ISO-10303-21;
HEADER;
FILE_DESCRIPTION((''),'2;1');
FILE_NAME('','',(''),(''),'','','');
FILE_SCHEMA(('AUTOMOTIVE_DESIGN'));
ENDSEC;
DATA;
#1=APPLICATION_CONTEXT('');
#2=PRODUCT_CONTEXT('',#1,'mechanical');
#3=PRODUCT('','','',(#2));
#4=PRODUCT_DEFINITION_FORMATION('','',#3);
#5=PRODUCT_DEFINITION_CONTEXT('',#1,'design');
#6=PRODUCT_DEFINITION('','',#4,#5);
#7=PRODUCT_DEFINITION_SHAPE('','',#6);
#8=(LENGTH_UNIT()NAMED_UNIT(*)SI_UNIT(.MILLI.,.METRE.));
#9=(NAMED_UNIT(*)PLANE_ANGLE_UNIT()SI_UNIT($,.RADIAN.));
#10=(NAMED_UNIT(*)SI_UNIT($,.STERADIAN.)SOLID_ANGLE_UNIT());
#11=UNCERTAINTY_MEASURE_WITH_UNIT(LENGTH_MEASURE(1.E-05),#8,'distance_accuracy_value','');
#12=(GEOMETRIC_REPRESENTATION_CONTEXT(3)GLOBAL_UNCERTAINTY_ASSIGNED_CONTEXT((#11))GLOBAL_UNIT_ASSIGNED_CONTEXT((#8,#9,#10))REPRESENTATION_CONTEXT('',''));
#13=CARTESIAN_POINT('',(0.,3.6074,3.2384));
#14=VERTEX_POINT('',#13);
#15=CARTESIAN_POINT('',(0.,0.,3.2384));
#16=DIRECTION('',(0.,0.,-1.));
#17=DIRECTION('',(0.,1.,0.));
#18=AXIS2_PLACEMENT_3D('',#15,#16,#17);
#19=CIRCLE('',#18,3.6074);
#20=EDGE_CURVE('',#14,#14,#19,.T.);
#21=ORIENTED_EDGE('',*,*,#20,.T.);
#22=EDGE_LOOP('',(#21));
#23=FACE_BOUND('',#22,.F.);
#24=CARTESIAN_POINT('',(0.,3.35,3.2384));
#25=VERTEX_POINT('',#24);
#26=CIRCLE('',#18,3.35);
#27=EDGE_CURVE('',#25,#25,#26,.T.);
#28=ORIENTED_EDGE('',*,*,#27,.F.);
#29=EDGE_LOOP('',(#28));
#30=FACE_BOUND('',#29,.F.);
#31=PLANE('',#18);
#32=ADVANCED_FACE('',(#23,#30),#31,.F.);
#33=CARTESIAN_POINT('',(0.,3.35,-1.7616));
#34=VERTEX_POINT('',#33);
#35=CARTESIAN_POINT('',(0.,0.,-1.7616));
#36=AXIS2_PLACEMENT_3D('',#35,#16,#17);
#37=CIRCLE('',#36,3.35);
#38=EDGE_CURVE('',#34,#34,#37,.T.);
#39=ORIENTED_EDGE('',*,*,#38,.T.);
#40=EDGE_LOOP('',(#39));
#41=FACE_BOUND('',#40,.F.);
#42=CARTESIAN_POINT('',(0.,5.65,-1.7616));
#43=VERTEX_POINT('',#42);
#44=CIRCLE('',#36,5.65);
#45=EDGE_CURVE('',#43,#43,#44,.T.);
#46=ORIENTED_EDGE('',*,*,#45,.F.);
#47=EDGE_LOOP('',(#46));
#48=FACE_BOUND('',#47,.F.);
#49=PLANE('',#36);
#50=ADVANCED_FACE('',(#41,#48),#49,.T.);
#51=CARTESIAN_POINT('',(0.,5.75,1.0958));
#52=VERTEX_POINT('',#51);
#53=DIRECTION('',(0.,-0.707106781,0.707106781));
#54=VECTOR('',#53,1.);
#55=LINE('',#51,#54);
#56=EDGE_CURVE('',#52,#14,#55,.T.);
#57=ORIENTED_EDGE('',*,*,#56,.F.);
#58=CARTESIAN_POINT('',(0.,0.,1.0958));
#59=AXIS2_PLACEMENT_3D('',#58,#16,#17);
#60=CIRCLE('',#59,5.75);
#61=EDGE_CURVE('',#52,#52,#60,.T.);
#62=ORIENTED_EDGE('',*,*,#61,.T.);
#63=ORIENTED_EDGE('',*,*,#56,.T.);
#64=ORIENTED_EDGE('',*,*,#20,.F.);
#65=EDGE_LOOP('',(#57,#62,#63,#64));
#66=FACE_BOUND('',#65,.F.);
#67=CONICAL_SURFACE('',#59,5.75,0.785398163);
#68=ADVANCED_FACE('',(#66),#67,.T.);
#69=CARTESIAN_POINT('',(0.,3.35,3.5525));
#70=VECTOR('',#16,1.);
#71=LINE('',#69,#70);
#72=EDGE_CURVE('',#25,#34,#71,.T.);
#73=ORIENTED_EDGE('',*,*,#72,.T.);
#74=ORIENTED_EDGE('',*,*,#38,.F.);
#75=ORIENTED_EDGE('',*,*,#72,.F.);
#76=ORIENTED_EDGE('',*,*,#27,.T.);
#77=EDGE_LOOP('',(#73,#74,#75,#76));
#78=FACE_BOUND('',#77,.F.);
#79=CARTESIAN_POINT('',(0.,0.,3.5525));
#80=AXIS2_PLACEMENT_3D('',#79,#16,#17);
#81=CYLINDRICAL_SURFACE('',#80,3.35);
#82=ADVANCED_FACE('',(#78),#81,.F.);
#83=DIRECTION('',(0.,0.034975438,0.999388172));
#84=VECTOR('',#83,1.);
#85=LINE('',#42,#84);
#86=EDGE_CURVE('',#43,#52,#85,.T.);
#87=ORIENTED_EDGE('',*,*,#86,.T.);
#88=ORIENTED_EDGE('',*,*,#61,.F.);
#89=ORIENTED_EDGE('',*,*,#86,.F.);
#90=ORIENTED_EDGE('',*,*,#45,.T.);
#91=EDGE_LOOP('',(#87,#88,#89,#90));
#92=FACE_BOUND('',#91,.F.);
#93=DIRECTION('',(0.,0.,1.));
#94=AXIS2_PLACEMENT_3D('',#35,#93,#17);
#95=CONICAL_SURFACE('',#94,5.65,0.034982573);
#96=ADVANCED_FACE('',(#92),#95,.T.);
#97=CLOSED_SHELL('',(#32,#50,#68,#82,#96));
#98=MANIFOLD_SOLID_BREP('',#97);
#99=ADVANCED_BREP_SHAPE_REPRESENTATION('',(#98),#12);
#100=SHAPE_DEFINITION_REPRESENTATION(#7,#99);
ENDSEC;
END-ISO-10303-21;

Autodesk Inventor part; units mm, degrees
ref_plane "YZ Plane" through (0, 0, 0) normal (1, 0, 0) x (0, 1, 0)
ref_plane "XZ Plane" through (0, 0, 0) normal (0, 1, 0) x (-1, 0, 0)
ref_plane "XY Plane" through (0, 0, 0) normal (0, 0, 1) x (1, 0, 0)
sketch "Skizze1" plane through (0, 0, 0) normal (1, 0, 0) x (0, 1, 0)
  line L0 (3.35, 3.5525) -> (3.35, -1.7616)
  line L1 (3.35, -1.7616) -> (5.65, -1.7616)
  line L2 (5.65, -1.7616) -> (5.75, 1.0958)
  line L3 (5.75, 1.0958) -> (3.6074, 3.2384)
  line L4 (3.6074, 3.2384) -> (3.35, 3.2384)
  line L5 (0, 3.5525) -> (0, -4.0298)
  point P0 (0, 0)
  dimension "d0" = 3.35
  dimension "d1" = 5.65
  dimension "d2" = 5.75
  dimension "d3" = 5
  dimension "d4" = 45
revolve "Umdrehung1" add sketch "Skizze1" angle 360 about axis through (0, 0, 3.5525) along (0, 0, -1)
properties part number "Matchboxscope_M12_Lensadapter_v0"
